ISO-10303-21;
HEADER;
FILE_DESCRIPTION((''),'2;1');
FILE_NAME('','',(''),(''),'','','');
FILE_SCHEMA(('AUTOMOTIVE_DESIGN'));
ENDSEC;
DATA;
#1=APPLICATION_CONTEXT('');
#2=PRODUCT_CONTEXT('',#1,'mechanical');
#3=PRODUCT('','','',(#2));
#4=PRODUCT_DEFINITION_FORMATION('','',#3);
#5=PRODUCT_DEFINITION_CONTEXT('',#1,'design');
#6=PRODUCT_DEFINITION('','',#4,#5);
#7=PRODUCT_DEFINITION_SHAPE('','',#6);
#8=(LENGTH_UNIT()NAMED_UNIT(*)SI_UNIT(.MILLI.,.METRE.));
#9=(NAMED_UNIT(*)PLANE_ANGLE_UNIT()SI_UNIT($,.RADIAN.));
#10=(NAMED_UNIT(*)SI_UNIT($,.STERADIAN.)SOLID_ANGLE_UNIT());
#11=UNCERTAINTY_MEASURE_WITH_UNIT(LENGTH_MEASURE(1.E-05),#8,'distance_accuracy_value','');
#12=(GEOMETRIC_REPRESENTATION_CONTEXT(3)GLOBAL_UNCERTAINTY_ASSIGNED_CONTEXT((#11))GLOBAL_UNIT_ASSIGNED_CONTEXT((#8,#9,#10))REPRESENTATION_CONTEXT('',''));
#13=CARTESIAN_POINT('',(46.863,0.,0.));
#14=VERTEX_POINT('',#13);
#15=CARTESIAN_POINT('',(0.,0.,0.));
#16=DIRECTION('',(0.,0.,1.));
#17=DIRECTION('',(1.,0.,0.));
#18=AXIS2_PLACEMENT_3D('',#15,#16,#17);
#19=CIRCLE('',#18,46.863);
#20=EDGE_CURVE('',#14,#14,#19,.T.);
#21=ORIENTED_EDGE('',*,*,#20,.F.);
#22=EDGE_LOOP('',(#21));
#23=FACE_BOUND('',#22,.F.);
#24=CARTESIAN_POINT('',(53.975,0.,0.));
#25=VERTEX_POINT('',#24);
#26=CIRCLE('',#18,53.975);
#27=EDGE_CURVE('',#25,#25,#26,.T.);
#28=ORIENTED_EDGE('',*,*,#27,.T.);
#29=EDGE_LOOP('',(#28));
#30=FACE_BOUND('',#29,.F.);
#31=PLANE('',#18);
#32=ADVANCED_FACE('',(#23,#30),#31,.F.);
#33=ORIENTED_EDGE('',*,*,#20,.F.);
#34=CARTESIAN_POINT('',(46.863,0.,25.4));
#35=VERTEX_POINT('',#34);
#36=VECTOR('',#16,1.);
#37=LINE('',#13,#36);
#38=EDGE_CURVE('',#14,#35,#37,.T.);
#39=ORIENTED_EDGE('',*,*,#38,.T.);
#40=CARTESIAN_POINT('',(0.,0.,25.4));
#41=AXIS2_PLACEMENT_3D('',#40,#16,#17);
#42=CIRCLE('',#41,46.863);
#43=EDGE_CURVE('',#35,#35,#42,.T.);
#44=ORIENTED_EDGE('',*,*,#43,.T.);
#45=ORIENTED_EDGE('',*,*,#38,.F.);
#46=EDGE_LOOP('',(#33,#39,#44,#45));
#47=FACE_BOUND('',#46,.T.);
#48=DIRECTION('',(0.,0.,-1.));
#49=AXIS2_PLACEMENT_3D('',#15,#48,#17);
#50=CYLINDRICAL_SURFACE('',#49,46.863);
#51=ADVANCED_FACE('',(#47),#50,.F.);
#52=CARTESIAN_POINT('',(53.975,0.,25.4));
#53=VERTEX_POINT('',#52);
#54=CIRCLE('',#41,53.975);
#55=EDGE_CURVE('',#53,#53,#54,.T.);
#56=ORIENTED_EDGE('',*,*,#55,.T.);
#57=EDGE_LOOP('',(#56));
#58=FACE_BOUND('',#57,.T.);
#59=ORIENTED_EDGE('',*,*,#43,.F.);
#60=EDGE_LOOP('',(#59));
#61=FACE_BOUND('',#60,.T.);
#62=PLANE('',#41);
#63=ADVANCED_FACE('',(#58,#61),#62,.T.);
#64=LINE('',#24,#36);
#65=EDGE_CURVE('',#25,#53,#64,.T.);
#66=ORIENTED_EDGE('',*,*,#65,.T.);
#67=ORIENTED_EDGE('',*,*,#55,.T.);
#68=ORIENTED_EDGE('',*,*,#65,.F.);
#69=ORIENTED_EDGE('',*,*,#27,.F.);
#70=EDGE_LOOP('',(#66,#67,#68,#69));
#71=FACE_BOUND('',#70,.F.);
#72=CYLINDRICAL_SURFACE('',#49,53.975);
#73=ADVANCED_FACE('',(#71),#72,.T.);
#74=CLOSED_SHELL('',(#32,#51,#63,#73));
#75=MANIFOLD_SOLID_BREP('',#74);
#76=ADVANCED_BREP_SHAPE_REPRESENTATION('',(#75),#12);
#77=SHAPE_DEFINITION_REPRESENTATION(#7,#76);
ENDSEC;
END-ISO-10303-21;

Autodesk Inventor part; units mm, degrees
ref_plane "YZ Plane" through (0, 0, 0) normal (1, 0, 0) x (0, 1, 0)
ref_plane "XZ Plane" through (0, 0, 0) normal (0, 1, 0) x (-1, 0, 0)
ref_plane "XY Plane" through (0, 0, 0) normal (0, 0, 1) x (1, 0, 0)
sketch "Sketch1" plane through (0, 0, 0) normal (0, 0, 1) x (1, 0, 0)
  circle A0 centre (0, 0) radius 53.975
  circle A1 centre (0, 0) radius 46.863
  dimension "d0" = 107.95
  dimension "d3" = 7.112
extrude "Extrusion1" add sketch "Sketch1" along normal blind 25.4
properties part number "BlueTreadMax"
